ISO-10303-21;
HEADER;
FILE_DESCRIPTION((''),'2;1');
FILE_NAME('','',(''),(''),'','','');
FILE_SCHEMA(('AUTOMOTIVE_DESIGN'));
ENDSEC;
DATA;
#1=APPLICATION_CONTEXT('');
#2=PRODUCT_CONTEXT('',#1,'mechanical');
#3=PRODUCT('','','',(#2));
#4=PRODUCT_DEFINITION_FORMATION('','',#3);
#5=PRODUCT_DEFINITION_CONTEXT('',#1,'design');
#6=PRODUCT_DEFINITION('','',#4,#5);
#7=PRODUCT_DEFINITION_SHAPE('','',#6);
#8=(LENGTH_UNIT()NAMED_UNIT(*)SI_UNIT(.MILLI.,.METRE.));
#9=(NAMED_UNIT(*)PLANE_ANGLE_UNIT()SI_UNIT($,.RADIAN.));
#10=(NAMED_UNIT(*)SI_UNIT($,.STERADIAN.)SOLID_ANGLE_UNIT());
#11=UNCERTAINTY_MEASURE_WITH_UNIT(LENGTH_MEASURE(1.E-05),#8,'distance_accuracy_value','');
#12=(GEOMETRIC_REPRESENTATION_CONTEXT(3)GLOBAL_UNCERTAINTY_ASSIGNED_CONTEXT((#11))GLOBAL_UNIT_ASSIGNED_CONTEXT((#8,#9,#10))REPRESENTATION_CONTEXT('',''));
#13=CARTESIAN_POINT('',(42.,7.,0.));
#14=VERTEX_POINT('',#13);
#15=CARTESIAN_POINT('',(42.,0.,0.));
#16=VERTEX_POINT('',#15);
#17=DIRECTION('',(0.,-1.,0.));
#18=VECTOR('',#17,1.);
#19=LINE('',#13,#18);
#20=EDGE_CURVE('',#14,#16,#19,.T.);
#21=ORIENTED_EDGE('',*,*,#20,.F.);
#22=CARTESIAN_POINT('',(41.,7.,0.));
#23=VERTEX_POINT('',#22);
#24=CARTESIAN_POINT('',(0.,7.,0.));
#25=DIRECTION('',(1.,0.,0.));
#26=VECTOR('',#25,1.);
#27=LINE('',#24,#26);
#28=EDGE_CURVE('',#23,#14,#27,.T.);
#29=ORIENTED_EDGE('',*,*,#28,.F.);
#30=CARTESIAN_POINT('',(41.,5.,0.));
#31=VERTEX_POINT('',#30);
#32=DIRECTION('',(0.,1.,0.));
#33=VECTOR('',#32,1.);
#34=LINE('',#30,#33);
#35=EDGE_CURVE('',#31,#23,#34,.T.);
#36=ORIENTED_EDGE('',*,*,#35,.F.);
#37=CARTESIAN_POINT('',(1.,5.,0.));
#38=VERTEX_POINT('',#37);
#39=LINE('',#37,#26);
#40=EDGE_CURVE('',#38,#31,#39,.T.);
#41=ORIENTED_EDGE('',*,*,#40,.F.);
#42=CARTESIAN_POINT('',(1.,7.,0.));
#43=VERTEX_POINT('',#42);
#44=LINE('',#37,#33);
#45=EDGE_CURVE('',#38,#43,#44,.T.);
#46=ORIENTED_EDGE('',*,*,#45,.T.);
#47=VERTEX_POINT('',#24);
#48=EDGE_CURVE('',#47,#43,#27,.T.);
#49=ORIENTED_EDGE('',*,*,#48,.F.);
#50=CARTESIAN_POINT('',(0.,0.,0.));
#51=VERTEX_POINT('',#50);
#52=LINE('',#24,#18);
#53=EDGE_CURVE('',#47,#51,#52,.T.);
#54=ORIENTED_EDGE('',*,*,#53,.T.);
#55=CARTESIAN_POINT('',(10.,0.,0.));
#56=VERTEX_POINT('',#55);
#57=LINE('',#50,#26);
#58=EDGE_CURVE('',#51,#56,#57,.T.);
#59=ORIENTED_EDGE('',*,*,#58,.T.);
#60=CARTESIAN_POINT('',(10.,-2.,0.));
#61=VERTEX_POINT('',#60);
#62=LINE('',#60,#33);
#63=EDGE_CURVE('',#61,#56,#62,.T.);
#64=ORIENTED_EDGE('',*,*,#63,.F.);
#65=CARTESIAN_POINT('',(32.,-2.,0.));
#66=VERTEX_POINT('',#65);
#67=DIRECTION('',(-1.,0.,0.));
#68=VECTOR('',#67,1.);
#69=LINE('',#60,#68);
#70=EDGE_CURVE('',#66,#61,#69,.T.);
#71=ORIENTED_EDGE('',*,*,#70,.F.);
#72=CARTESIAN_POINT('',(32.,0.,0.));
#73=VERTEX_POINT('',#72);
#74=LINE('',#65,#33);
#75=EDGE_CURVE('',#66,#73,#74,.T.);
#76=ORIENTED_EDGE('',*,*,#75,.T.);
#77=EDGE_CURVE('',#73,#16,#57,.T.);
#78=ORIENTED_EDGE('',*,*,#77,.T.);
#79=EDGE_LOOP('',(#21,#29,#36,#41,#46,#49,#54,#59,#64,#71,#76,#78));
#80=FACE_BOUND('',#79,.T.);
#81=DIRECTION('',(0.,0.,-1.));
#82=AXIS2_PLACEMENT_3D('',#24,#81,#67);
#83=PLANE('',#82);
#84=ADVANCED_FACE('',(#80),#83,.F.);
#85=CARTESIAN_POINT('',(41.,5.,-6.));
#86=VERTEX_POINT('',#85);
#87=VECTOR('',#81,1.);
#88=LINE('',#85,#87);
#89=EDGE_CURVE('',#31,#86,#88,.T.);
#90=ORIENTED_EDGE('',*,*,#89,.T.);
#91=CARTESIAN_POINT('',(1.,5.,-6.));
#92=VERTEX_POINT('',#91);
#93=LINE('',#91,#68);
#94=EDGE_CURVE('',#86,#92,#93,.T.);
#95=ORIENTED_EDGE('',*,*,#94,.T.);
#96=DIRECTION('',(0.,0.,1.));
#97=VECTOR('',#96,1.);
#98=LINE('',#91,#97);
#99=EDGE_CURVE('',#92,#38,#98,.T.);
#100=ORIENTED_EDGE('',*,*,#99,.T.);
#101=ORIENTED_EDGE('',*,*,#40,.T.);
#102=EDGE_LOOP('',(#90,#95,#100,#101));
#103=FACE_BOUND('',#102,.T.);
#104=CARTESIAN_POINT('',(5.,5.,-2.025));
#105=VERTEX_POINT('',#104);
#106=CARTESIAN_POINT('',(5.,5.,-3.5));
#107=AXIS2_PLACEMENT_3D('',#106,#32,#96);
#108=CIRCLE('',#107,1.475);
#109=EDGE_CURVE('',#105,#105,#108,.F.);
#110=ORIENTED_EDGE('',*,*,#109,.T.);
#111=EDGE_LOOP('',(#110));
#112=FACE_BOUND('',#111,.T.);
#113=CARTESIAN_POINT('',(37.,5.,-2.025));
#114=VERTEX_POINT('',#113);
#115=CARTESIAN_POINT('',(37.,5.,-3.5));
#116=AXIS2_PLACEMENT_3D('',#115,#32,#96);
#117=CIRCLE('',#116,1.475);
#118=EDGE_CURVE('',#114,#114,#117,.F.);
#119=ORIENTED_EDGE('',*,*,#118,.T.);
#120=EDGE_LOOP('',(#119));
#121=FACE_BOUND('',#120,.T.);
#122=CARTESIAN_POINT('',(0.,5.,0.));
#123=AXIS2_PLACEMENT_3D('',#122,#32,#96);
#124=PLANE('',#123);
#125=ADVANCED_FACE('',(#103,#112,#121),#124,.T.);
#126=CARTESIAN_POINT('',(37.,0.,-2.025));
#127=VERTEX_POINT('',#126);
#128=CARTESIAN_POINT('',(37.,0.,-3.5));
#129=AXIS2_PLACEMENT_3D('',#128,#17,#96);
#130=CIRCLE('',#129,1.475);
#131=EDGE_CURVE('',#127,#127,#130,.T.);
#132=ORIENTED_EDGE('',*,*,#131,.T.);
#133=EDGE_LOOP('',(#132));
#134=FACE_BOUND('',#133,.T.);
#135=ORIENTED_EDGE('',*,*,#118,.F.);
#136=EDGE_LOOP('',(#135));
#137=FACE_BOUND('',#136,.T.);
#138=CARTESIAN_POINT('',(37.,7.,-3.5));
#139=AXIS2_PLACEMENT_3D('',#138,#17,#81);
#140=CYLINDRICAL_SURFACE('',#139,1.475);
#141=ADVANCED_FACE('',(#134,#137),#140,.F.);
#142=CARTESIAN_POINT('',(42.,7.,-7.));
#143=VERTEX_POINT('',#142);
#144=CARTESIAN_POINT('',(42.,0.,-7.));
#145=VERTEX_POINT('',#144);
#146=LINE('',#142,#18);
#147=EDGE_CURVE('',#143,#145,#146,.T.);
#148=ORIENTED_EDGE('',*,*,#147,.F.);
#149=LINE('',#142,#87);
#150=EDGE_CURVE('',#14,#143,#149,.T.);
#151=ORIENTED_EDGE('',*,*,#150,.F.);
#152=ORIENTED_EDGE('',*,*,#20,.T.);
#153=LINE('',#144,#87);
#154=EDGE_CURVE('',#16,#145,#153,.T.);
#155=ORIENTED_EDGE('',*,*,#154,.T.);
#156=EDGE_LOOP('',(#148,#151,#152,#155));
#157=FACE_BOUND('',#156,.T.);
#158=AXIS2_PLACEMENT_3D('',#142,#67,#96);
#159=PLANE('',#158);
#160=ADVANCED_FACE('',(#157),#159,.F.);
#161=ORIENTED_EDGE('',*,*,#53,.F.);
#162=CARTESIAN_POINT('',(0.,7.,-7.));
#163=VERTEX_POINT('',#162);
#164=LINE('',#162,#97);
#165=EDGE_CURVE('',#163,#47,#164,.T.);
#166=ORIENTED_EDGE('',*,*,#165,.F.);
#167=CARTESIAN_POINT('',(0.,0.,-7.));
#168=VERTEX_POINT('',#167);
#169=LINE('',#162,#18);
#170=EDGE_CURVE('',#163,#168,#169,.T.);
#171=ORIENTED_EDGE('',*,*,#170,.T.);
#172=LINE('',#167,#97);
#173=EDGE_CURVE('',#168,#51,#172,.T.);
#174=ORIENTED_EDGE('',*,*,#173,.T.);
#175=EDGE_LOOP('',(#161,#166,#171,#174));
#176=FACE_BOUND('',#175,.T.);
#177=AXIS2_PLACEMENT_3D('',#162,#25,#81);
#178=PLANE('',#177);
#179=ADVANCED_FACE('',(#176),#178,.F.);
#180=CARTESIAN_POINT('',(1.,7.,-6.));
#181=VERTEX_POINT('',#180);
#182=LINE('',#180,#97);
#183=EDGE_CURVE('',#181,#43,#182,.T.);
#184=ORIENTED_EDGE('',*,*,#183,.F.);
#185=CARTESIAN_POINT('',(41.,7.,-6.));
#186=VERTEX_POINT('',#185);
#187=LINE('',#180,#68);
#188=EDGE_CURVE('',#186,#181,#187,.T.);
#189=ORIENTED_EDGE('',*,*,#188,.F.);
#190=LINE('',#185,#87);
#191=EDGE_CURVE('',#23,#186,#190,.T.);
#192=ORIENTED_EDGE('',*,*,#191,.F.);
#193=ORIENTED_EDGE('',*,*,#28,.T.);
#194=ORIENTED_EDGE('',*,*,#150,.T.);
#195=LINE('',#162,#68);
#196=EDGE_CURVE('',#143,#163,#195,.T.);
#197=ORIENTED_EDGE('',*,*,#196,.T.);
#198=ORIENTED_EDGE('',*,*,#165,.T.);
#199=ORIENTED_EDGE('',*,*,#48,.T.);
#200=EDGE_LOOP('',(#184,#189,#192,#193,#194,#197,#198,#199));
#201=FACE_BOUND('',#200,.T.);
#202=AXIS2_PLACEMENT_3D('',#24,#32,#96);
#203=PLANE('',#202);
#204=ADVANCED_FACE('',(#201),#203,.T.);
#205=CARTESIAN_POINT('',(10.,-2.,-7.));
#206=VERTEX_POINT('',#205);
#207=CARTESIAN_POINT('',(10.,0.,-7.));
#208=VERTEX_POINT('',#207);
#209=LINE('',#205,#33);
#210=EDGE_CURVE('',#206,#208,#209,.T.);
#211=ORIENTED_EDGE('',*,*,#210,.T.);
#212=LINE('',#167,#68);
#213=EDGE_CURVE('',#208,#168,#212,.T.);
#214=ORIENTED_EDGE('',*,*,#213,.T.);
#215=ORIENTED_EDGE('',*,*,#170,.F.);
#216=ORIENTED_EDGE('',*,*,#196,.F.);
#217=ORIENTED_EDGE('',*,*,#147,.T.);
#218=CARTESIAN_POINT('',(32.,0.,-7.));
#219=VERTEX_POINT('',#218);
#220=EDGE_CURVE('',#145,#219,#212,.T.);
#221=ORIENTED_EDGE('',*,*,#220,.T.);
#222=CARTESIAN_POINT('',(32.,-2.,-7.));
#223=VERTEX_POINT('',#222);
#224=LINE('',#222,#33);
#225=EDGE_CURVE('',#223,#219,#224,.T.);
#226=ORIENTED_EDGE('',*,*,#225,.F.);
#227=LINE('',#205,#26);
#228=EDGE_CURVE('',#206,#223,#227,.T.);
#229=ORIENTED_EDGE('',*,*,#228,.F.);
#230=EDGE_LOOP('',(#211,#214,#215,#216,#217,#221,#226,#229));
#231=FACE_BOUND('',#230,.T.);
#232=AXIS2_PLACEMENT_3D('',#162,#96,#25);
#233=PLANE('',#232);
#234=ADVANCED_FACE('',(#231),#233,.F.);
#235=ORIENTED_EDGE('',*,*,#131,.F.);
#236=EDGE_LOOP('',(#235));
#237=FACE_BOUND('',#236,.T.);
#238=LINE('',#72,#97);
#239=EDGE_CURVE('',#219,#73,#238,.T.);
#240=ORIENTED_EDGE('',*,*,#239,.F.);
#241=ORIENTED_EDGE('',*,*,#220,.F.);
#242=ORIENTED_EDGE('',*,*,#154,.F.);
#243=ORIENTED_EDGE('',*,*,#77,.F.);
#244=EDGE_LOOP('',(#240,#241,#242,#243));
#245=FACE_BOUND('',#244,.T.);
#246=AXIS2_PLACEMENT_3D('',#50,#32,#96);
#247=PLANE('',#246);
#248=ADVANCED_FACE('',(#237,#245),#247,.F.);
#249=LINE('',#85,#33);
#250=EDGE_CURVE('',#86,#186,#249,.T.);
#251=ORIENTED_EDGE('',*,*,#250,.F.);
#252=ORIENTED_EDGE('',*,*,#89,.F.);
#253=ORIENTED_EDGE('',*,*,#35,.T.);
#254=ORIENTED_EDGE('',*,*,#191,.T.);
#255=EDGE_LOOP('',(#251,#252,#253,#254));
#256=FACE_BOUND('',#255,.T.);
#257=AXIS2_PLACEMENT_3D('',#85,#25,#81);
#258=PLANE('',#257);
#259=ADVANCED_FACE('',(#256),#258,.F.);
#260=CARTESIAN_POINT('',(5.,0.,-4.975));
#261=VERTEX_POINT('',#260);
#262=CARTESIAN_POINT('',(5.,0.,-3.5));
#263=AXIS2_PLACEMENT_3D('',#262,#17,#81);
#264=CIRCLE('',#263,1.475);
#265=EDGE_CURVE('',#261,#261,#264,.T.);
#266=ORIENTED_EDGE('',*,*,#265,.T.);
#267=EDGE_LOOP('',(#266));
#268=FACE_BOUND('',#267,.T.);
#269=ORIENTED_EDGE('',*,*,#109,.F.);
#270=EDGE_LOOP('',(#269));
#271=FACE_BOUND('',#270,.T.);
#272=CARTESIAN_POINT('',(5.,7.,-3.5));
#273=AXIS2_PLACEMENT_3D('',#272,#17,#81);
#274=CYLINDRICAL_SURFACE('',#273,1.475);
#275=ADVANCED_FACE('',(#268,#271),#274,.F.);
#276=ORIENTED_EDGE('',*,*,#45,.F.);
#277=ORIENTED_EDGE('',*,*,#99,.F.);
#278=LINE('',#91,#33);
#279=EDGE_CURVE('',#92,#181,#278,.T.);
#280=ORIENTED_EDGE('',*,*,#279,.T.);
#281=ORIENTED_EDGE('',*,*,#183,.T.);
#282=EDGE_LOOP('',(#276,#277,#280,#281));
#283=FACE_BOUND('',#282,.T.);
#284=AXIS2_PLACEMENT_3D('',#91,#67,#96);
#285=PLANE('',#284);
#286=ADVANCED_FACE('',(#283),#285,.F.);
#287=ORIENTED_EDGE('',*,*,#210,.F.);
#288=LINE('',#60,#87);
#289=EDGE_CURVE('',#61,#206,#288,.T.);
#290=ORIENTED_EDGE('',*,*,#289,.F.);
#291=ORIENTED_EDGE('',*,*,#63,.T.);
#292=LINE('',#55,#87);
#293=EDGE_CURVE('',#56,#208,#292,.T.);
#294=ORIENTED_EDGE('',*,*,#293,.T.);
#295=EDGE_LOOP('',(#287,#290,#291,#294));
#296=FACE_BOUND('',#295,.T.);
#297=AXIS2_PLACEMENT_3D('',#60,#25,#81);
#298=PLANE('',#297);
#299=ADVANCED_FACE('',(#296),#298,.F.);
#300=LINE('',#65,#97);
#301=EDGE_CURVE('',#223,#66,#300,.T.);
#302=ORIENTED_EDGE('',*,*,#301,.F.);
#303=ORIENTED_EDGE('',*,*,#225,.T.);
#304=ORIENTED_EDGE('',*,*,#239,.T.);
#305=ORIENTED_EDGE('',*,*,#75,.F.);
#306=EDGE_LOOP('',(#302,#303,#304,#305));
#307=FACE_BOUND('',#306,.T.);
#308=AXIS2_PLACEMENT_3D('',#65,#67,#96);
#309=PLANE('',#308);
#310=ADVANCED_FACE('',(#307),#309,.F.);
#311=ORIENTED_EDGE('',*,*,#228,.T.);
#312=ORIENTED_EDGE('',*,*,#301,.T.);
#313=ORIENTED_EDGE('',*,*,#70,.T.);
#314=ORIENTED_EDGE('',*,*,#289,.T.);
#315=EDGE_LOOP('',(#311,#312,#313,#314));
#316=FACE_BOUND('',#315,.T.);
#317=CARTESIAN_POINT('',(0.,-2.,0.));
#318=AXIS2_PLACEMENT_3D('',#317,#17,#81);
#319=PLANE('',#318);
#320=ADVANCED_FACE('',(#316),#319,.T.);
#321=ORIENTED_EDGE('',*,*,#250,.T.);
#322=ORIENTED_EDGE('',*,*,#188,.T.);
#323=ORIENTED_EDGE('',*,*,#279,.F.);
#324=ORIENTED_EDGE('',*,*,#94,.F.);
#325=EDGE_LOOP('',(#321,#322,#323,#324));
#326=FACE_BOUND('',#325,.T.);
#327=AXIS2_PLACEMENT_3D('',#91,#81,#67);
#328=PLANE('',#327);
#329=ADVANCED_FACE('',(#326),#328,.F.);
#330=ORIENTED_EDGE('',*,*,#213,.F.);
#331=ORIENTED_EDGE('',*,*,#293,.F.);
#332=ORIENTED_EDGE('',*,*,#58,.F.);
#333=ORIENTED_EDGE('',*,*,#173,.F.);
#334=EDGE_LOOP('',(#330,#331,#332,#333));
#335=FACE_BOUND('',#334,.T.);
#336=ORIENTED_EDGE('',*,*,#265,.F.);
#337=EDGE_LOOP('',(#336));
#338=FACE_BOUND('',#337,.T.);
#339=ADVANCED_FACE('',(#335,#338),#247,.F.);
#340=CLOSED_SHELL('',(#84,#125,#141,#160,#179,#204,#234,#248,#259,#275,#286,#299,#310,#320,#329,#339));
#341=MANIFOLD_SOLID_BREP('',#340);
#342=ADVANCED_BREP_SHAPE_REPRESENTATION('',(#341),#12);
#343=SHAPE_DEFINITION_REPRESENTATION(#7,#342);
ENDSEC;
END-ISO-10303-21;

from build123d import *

# Parameters (mm, degrees)
SKETCH1_W            = 42
SKETCH1_H            = 7
RISER_DEPTH          = 7
SKETCH2_R            = 1.475
MOUNTING_HOLES_DEPTH = 44.150898021
SKETCH4_W            = 40
SKETCH4_H            = 6
RECESS_3_SIDES_DEPTH = 2
SKETCH5_W            = 22
SKETCH5_H            = 7
ALIGNMENT_TAB_DEPTH  = 2


with BuildPart() as part:
    # Sketch1 → Riser (new body)
    with BuildSketch(Plane(origin=(0, 0, 0), x_dir=(1, 0, 0), z_dir=(0, 1, 0))):
        with Locations((21, 3.5)):
            Rectangle(SKETCH1_W, SKETCH1_H)
    extrude(amount=RISER_DEPTH)

    # Sketch2 → Mounting Holes (cut, through all)
    with BuildSketch(Plane.XZ):
        with Locations(Location((5, -3.5, 0), (0, 0, 270))):
            Circle(SKETCH2_R)
        with Locations(Location((37, -3.5, 0), (0, 0, 90))):
            Circle(SKETCH2_R)
    extrude(amount=-MOUNTING_HOLES_DEPTH, mode=Mode.SUBTRACT)

    # Sketch4 → Recess (3-Sides) (cut)
    with BuildSketch(Plane(origin=(0, 7, 0), x_dir=(1, 0, 0), z_dir=(0, 1, 0))):
        with Locations((21, 3)):
            Rectangle(SKETCH4_W, SKETCH4_H)
    extrude(amount=-RECESS_3_SIDES_DEPTH, mode=Mode.SUBTRACT)

    # Sketch5 → Alignment Tab (add)
    with BuildSketch(Plane.XZ):
        with Locations((21, -3.5)):
            Rectangle(SKETCH5_W, SKETCH5_H)
    extrude(amount=ALIGNMENT_TAB_DEPTH)


solid = part.part
